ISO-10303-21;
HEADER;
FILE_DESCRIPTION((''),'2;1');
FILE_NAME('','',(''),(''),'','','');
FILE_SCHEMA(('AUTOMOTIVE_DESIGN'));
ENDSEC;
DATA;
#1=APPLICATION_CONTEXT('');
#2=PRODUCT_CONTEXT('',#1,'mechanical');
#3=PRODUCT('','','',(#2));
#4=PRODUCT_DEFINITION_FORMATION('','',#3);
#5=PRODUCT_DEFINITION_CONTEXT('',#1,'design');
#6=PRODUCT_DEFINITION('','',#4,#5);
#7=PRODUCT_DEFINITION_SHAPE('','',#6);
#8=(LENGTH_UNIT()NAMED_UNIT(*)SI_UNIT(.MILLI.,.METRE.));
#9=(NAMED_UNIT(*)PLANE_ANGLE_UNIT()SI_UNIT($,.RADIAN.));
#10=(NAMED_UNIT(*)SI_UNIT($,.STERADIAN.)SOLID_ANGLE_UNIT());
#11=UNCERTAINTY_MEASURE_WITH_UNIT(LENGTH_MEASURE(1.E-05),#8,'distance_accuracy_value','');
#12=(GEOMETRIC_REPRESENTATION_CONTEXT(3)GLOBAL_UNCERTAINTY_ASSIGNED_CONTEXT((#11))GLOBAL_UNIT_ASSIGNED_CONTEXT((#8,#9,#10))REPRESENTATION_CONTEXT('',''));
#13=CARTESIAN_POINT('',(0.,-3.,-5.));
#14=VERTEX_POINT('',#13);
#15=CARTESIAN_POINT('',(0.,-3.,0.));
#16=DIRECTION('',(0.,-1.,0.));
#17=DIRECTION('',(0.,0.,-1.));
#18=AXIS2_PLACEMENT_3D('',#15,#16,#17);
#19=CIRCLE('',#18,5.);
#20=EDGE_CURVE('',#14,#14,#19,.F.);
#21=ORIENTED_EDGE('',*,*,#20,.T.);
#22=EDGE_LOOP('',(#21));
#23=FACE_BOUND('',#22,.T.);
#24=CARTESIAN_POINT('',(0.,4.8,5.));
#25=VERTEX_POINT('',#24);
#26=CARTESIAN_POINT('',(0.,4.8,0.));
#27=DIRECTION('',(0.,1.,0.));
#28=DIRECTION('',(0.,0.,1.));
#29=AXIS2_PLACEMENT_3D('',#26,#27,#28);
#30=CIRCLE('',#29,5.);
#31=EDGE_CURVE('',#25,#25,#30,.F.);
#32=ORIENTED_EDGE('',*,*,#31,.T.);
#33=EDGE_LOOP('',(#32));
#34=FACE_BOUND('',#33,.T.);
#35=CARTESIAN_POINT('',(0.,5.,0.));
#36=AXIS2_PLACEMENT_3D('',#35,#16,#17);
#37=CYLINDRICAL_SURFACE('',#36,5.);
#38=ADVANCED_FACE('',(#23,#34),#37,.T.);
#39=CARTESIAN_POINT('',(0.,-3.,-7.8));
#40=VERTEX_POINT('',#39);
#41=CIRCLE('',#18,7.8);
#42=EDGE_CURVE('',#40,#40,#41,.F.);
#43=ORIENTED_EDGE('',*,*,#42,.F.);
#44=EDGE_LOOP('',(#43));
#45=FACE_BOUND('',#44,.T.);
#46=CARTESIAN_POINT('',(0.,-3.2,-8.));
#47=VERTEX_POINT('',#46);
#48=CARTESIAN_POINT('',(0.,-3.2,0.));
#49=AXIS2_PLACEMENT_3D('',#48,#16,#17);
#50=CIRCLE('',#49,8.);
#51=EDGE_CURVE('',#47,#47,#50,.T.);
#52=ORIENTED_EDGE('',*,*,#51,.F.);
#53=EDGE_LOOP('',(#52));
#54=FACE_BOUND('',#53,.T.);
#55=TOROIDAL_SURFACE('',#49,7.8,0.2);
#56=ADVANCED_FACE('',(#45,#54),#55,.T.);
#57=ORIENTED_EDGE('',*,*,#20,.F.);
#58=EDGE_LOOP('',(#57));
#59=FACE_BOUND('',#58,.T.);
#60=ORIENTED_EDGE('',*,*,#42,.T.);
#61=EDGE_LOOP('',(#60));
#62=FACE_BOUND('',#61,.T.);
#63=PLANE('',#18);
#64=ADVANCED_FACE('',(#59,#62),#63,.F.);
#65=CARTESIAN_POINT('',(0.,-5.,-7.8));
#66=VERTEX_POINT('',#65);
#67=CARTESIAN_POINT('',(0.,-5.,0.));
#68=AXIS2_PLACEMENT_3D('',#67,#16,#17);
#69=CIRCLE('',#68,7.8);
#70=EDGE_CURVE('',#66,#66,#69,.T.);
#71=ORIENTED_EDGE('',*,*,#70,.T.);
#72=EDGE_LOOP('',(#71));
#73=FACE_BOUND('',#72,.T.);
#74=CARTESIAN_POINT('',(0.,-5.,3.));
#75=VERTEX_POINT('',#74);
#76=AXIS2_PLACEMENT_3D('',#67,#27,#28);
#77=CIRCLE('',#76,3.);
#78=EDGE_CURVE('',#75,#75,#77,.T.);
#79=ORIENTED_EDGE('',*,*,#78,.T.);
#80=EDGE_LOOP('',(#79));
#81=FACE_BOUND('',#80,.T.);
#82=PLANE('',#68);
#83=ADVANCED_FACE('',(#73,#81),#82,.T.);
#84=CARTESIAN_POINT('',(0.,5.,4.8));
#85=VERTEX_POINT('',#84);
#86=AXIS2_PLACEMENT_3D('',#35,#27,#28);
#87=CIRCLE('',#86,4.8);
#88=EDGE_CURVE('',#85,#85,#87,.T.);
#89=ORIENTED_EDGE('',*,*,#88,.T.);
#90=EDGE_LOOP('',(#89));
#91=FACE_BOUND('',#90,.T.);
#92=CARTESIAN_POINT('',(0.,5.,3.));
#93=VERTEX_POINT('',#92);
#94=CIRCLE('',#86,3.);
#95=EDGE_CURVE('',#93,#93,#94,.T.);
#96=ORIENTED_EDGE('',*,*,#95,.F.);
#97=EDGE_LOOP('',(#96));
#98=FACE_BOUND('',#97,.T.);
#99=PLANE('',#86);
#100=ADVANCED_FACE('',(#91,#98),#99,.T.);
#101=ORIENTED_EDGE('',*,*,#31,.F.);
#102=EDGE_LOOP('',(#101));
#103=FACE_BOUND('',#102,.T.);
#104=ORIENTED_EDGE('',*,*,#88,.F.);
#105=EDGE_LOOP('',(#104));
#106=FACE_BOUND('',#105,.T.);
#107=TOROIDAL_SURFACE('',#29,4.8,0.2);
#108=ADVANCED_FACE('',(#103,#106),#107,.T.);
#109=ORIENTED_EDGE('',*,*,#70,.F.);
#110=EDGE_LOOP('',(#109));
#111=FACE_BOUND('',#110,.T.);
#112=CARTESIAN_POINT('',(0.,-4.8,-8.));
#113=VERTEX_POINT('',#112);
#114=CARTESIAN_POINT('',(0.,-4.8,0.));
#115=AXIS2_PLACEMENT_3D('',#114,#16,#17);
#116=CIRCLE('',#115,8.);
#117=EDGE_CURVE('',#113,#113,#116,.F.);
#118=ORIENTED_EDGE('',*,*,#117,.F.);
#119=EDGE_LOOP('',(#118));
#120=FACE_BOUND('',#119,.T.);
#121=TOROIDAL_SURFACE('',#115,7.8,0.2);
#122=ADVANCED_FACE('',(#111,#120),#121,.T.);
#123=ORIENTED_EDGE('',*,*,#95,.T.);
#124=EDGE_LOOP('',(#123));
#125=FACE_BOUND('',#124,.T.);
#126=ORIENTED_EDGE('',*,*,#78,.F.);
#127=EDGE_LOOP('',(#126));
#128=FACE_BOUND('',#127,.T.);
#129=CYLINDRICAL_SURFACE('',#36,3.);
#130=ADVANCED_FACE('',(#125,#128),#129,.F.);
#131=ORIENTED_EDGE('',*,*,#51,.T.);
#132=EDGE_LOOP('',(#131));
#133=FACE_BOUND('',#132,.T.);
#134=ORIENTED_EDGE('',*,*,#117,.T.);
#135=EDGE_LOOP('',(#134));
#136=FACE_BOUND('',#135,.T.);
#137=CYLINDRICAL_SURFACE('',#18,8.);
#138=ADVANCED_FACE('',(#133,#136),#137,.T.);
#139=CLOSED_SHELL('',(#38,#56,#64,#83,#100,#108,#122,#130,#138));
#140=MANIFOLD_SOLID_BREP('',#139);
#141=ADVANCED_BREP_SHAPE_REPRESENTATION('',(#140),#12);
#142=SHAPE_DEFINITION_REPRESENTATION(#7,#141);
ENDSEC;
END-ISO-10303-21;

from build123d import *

# Parameters (mm, degrees)
SKETCH_1_R      = 5
SKETCH_1_R_2    = 3
EXTRUDE_1_DEPTH = 5
SKETCH_2_R      = 8
SKETCH_2_R_2    = 5
EXTRUDE_2_DEPTH = 2
FILLET_1_R      = 0.2


with BuildPart() as part:
    # 草图1 → 凸台-拉伸1 (new, symmetric)
    with BuildSketch(Plane(origin=(0, 0, 0), x_dir=(1, 0, 0), z_dir=(0, 1, 0))):
        with Locations(Location((0, 0, 0), (0, 0, 270))):
            Circle(SKETCH_1_R)
        with Locations(Location((0, 0, 0), (0, 0, 270))):
            Circle(SKETCH_1_R_2, mode=Mode.SUBTRACT)
    extrude(amount=EXTRUDE_1_DEPTH, both=True)


with BuildPart() as body_2:
    # 草图2 → 凸台-拉伸2 (new body)
    with BuildSketch(Plane.XZ.offset(5)):
        with Locations(Location((0, 0, 0), (0, 0, 270))):
            Circle(SKETCH_2_R)
        with Locations(Location((0, 0, 0), (0, 0, 90))):
            Circle(SKETCH_2_R_2, mode=Mode.SUBTRACT)
    extrude(amount=-EXTRUDE_2_DEPTH)

    # Combine 1: union part
    add(part.part)

    # 圆角1
    fillet_1_edges = [body_2.edges().sort_by_distance(p)[0] for p in [
        (0, 5, -5),
        (0, -5, 8),
        (0, -3, 8),
    ]]
    fillet(fillet_1_edges, radius=FILLET_1_R)


solid = body_2.part
